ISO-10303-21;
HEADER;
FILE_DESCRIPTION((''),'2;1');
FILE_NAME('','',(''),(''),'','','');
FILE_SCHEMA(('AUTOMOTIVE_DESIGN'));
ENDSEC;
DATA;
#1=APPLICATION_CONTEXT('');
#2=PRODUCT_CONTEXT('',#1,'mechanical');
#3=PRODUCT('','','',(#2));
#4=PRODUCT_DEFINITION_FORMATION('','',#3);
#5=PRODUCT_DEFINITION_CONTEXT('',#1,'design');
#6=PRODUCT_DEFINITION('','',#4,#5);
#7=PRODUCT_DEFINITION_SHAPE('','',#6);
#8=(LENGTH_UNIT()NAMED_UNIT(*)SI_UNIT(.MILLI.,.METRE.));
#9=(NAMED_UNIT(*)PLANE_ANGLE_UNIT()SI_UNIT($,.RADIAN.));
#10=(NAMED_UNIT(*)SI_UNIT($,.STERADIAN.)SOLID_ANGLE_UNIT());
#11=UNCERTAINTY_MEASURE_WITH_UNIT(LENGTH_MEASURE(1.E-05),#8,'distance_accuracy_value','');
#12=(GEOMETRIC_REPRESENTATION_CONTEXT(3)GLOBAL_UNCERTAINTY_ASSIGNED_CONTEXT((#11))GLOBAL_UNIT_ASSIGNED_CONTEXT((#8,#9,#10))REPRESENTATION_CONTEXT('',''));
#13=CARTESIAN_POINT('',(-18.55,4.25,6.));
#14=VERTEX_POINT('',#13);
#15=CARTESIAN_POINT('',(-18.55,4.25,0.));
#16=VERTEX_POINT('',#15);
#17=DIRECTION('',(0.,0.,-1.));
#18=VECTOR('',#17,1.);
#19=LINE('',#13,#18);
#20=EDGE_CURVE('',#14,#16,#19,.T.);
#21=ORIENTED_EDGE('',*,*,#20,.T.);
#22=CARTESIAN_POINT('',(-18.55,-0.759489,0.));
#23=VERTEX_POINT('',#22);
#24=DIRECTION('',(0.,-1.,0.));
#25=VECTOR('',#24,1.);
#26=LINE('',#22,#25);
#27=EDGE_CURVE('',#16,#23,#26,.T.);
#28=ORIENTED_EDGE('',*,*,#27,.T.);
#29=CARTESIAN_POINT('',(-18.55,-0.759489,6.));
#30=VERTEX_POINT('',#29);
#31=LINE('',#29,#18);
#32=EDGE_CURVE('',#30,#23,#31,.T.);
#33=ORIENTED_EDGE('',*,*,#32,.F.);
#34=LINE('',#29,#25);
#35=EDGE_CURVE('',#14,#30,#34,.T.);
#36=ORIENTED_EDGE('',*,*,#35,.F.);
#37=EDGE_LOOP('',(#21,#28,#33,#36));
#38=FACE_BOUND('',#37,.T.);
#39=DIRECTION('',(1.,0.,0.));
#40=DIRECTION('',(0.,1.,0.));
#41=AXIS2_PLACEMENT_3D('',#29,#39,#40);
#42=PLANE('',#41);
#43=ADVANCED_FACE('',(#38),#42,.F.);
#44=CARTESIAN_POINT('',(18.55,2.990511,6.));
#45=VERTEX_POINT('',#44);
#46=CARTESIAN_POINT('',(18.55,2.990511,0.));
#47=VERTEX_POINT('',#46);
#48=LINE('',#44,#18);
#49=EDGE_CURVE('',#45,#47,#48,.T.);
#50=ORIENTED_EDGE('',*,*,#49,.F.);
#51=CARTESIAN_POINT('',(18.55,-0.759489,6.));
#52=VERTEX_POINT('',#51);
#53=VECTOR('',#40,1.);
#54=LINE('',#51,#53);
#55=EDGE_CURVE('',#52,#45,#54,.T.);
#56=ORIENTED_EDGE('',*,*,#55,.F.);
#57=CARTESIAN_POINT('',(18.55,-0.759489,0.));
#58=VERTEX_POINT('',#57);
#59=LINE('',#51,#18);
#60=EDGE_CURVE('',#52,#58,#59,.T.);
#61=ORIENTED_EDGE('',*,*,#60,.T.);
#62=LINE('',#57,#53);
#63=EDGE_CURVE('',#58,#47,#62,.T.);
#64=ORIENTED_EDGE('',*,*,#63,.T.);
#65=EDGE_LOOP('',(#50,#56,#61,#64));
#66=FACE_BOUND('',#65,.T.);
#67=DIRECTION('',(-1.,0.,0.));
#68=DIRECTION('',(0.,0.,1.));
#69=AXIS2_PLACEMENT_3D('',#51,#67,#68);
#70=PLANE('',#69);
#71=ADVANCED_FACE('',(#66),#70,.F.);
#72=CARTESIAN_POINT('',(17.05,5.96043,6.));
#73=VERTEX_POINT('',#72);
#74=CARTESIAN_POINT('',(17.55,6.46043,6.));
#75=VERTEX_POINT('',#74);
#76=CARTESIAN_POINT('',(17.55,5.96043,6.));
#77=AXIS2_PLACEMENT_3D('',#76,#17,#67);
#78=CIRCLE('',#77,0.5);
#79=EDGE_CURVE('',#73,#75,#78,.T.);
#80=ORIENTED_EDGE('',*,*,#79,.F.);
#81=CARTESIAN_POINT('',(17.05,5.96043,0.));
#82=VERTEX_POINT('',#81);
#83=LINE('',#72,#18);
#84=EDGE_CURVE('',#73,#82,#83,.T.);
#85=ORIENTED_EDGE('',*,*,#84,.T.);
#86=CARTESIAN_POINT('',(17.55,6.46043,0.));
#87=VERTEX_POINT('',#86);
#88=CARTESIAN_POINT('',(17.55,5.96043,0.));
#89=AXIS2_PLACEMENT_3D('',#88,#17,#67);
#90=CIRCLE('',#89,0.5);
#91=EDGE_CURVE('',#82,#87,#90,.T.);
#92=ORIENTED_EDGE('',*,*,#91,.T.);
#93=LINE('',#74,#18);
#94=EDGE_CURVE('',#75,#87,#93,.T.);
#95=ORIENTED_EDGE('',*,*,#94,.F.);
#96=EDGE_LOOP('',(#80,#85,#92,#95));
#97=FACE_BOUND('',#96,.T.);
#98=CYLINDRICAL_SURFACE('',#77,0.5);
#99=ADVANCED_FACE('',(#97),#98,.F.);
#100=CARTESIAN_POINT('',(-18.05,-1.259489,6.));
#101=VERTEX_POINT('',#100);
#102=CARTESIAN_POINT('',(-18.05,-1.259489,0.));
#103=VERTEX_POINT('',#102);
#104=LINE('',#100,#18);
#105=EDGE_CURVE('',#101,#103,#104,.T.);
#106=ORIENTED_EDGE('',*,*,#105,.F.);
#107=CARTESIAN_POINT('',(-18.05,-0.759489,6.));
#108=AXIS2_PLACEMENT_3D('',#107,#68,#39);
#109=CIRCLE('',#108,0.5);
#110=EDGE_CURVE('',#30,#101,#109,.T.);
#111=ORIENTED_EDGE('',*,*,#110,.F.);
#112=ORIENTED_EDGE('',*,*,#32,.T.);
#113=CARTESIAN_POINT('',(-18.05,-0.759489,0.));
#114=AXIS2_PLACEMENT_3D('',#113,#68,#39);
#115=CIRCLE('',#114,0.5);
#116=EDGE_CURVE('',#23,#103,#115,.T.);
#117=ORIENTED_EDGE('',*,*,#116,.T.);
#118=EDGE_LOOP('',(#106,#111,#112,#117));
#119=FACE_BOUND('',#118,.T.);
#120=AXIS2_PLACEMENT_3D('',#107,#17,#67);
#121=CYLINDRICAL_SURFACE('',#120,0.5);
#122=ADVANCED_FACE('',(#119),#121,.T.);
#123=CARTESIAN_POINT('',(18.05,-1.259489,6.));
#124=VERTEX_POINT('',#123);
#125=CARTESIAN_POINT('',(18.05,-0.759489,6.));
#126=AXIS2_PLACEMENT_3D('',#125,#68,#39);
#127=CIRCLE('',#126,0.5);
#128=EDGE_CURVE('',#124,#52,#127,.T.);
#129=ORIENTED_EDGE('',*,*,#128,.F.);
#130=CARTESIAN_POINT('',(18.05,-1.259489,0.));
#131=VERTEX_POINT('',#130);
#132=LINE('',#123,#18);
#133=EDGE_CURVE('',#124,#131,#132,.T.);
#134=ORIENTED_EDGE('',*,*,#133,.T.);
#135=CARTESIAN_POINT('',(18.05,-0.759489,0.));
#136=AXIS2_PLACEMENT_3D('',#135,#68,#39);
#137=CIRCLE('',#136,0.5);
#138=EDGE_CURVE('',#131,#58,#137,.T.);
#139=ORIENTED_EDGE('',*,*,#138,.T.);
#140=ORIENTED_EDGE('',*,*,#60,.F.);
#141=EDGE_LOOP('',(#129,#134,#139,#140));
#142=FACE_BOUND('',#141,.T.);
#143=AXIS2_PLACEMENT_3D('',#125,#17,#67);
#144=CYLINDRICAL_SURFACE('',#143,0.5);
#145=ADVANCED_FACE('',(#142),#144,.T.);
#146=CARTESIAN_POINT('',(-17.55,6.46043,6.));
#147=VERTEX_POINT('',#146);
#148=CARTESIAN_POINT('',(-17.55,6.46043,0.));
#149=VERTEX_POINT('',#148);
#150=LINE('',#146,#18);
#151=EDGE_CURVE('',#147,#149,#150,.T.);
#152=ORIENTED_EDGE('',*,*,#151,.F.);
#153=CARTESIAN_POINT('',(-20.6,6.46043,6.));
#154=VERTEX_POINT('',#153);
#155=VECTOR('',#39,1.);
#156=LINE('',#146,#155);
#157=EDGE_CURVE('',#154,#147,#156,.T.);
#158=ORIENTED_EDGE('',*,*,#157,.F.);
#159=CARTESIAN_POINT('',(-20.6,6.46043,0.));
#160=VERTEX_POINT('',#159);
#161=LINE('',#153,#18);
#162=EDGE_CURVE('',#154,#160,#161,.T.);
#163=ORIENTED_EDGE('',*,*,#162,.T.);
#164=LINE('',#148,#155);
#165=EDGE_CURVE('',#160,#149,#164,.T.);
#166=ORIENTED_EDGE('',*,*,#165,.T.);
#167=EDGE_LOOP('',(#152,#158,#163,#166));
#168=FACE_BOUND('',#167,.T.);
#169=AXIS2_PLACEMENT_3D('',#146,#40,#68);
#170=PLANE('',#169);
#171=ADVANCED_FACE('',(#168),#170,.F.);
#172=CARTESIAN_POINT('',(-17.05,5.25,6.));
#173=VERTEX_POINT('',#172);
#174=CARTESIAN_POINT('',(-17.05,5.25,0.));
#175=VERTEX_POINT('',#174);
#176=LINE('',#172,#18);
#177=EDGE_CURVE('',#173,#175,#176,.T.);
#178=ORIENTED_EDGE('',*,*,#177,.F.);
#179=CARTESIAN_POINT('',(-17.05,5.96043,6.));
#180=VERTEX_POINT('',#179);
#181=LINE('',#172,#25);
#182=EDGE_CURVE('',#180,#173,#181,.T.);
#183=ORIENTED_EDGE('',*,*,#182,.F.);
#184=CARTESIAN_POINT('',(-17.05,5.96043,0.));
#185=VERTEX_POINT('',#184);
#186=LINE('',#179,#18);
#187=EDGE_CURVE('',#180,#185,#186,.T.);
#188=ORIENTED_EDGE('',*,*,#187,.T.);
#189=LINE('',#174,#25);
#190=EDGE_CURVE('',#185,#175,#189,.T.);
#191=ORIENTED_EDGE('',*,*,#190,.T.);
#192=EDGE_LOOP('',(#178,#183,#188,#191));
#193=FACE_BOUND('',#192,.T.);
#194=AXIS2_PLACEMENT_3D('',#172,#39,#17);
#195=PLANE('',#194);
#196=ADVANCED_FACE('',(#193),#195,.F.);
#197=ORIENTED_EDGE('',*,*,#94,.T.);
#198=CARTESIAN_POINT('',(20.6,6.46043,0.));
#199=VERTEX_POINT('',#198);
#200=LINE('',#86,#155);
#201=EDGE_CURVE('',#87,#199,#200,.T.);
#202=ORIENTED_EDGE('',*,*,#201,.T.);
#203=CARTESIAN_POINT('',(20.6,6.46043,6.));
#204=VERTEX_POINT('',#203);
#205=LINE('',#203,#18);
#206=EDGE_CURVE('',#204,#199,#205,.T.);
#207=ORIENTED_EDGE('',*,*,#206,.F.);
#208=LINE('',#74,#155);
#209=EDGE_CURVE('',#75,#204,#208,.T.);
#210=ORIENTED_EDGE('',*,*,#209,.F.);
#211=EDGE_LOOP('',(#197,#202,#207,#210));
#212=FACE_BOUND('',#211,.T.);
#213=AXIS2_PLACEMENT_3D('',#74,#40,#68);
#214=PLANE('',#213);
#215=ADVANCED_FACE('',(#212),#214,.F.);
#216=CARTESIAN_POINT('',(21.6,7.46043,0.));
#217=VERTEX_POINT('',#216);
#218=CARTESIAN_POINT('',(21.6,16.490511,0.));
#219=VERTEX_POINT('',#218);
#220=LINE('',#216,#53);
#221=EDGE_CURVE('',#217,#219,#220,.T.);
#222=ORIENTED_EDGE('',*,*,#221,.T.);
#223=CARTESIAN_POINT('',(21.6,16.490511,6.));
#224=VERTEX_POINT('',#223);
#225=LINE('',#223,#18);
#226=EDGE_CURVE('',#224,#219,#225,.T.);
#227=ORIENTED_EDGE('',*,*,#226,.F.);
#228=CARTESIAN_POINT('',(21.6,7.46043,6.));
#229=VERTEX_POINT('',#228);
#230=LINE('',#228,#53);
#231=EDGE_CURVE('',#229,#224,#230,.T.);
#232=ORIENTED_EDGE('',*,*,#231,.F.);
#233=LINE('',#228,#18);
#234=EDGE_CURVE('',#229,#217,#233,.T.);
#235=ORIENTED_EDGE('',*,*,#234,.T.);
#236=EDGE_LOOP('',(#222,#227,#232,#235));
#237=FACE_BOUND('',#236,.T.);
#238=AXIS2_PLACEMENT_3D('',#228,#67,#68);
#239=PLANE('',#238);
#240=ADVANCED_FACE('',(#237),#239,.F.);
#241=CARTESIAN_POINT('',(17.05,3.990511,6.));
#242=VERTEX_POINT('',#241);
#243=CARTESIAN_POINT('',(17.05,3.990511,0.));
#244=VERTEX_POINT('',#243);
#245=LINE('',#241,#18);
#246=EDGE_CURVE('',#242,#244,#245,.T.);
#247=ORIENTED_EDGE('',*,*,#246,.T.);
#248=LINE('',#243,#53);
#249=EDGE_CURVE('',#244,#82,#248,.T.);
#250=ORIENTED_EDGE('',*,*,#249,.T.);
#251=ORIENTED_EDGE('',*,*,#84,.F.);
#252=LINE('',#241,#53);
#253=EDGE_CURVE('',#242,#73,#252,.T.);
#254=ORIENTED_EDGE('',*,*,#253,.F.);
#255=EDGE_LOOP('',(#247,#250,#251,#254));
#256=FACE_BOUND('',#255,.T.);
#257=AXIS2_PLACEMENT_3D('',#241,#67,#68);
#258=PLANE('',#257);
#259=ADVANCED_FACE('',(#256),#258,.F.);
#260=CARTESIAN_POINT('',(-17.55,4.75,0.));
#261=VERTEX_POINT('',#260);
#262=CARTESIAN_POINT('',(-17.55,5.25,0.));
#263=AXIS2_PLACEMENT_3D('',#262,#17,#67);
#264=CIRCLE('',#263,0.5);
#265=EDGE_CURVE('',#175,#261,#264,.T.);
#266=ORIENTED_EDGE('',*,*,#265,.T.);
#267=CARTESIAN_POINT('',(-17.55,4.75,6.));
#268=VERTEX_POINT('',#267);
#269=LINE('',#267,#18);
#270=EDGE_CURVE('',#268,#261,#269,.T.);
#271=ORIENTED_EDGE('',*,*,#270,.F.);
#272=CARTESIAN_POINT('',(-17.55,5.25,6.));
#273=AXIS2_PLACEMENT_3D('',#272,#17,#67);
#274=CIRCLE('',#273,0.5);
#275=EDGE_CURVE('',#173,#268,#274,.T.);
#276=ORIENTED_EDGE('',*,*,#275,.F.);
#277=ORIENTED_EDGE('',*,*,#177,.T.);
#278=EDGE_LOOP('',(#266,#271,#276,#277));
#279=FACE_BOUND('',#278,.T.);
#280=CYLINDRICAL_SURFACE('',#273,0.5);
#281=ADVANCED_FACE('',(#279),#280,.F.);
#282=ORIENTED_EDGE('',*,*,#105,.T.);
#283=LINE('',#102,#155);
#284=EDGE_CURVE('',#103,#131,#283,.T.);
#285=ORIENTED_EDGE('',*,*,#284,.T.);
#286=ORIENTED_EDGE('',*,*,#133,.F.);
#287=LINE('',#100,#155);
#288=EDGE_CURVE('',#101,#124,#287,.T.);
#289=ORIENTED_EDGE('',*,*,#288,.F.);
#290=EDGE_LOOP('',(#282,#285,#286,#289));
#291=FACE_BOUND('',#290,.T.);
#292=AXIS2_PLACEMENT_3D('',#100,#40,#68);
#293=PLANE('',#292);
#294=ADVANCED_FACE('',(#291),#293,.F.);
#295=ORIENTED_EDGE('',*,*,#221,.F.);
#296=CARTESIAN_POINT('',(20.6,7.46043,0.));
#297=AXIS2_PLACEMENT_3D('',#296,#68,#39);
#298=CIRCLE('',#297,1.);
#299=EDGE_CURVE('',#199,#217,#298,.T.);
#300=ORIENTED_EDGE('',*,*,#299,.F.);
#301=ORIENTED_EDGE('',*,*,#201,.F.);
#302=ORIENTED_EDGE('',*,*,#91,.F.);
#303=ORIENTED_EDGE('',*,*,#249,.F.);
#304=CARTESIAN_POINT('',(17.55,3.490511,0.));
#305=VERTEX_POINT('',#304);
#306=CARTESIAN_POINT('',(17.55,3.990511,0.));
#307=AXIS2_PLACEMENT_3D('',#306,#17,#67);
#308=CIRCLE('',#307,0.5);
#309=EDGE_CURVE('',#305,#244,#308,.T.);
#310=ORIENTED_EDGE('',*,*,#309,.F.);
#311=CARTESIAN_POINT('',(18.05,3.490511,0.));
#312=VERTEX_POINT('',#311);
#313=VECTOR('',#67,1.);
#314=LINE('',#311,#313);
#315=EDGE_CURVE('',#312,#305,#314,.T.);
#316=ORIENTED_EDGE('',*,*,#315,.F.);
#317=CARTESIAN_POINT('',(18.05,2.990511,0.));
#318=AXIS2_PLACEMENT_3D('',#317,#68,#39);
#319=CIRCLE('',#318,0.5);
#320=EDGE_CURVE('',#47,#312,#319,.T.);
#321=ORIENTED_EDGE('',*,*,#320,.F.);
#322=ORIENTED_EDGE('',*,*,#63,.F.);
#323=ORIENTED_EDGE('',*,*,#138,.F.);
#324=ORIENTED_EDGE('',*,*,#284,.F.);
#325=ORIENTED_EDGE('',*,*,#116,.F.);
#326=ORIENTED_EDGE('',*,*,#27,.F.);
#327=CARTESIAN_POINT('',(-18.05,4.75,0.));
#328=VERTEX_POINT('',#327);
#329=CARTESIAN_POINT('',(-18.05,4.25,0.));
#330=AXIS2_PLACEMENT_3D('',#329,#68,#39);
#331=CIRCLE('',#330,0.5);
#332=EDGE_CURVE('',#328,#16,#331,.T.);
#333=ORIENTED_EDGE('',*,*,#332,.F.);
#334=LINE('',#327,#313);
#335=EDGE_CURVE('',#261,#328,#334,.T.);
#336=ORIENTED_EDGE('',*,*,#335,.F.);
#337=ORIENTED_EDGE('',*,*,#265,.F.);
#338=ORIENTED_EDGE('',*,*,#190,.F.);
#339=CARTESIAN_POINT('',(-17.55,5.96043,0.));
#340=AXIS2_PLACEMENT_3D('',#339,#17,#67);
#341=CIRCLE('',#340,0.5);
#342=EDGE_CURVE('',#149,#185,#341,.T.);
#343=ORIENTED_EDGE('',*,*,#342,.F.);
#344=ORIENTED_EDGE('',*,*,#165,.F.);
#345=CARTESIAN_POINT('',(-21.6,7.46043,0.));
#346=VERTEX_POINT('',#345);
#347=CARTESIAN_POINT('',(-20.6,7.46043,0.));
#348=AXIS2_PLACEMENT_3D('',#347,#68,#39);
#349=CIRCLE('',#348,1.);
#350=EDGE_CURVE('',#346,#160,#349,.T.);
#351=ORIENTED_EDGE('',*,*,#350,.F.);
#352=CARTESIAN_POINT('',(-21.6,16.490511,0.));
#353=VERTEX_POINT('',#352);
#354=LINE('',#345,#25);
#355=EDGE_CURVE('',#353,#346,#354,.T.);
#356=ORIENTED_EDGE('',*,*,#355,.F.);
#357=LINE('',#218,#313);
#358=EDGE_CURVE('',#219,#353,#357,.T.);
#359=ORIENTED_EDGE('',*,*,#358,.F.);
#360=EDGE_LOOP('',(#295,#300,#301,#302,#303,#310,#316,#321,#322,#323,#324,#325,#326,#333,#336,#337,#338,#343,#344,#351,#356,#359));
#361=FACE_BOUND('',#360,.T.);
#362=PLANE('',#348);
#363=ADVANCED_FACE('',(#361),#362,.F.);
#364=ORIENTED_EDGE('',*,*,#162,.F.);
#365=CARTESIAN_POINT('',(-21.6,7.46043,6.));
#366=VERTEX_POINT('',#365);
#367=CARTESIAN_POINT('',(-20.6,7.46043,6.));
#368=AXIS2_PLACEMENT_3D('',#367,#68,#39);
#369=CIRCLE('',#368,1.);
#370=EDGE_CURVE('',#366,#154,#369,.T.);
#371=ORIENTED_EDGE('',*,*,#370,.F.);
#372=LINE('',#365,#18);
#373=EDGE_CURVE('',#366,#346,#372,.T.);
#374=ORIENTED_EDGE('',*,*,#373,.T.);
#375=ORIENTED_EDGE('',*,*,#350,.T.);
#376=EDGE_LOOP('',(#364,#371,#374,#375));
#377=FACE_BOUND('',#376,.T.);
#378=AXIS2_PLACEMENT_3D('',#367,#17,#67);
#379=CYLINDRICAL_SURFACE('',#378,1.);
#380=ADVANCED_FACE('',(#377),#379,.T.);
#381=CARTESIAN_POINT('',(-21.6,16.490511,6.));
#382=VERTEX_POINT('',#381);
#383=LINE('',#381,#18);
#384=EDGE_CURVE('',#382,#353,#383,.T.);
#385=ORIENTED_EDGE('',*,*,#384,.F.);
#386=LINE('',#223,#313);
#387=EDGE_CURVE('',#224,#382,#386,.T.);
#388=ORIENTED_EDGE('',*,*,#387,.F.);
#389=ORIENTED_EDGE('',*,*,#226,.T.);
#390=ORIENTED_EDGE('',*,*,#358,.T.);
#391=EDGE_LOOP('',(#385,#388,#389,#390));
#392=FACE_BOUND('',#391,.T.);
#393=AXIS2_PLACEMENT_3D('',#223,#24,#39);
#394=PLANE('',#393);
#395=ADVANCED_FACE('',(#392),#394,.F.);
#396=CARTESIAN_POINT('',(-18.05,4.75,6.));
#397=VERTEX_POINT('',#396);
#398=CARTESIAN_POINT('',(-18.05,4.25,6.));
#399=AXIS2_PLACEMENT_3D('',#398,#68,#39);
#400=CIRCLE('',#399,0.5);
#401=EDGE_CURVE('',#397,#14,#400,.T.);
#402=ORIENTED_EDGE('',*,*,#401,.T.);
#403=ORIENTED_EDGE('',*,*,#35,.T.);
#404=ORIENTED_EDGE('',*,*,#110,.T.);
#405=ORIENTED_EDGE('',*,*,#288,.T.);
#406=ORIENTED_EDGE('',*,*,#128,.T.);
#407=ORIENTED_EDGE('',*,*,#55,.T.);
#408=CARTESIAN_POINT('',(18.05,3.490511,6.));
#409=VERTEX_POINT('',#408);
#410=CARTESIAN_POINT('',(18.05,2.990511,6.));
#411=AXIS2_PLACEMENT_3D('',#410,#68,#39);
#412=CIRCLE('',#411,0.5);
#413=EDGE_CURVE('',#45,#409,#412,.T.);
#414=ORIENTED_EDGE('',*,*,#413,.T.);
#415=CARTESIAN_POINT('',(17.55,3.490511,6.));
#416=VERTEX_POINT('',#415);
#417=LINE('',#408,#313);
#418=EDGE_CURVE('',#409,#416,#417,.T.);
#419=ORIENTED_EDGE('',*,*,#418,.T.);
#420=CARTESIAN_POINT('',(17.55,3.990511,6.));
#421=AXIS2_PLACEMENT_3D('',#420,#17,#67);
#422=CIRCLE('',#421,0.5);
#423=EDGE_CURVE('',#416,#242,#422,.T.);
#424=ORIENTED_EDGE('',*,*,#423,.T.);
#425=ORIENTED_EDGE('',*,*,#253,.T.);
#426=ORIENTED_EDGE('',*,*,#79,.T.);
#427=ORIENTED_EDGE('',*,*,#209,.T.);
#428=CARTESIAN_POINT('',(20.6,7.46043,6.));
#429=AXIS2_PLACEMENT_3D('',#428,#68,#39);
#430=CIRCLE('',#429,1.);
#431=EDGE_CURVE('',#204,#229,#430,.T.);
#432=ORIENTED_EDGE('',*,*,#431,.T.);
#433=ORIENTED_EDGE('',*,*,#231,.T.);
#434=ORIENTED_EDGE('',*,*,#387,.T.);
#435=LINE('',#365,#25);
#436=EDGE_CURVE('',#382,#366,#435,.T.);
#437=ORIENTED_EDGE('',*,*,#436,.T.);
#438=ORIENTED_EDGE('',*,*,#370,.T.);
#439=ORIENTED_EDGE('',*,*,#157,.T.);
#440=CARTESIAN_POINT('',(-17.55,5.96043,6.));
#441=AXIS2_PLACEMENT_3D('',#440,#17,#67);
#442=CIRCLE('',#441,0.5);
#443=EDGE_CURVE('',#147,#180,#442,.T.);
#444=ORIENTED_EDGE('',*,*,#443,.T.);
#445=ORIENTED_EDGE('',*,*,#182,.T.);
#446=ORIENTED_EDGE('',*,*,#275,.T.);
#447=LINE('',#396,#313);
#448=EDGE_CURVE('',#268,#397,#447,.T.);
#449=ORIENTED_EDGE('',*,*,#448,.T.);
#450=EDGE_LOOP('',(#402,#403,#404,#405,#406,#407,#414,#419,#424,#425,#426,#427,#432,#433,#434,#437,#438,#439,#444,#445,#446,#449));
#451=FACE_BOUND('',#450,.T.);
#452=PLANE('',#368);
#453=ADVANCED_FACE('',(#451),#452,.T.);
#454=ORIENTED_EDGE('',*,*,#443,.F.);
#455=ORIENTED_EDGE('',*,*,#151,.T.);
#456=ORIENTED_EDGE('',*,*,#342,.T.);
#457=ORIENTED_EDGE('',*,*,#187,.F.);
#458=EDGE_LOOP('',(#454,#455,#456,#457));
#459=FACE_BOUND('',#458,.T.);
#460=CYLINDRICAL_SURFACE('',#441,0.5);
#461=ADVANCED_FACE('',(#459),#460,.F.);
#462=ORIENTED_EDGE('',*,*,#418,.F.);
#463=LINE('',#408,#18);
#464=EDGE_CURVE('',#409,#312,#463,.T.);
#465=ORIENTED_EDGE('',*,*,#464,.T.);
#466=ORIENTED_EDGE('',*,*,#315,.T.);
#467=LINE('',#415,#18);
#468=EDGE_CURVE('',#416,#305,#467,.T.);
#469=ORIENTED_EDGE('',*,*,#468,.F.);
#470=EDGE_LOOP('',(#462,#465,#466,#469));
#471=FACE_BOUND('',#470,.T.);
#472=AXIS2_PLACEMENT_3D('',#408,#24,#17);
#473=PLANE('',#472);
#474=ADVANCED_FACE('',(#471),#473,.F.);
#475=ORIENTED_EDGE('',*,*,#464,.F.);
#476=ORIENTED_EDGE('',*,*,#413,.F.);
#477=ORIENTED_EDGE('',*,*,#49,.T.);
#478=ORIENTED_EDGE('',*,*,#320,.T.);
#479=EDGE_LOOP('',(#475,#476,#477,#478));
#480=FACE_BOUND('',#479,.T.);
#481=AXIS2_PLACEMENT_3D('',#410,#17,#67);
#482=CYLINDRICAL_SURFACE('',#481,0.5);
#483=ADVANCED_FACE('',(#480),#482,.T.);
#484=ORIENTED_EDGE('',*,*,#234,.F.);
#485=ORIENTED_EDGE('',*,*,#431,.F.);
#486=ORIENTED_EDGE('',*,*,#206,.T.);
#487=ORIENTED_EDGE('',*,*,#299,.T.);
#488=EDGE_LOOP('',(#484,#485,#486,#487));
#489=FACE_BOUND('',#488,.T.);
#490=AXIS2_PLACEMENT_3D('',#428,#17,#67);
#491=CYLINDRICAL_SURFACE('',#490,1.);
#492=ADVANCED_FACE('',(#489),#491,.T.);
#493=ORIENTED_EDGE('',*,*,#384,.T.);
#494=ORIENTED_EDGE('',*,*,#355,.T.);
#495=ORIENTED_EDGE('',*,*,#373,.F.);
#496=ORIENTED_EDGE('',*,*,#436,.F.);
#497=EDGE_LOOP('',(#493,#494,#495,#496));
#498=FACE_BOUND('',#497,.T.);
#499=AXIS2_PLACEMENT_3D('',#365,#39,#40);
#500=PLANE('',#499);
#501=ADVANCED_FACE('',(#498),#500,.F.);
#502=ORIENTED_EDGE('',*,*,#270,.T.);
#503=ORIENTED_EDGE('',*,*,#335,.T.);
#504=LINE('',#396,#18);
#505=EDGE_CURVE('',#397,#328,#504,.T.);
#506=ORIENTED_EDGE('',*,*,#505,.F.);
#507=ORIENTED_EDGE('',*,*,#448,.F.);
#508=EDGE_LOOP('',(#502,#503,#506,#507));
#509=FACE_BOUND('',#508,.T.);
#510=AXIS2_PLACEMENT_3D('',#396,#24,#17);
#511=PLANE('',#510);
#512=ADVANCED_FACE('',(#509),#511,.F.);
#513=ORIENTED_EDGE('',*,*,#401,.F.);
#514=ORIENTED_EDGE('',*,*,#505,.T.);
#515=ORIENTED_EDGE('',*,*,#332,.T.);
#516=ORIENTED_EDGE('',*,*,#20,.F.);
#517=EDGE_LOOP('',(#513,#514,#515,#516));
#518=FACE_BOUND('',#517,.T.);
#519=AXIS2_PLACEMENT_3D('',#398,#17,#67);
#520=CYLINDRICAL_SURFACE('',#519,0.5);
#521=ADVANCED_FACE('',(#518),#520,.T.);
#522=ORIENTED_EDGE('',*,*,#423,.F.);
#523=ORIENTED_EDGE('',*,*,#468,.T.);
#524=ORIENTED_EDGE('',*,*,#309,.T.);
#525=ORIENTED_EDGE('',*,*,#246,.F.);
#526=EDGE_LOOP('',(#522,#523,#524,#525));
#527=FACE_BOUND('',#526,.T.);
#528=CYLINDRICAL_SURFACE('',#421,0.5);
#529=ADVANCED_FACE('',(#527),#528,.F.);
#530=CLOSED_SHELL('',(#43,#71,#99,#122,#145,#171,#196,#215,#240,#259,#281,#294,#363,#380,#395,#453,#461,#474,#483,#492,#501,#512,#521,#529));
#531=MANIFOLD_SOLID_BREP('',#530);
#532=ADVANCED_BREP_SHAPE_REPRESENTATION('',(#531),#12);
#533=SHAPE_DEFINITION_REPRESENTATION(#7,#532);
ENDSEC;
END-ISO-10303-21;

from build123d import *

# Parameters (mm, degrees)
BOSS_EXTRUDE1_DEPTH = 6


with BuildPart() as part:
    # Sketch6 → Boss-Extrude1 (new body)
    with BuildSketch(Plane.XY):
        with BuildLine():
            Line((-18.05, -1.259488518), (18.05, -1.259488518))
            ThreePointArc((18.05, -1.259488518), (18.403553391, -1.113041908), (18.55, -0.759488518))
            Line((18.55, -0.759488518), (18.55, 2.990511482))
            ThreePointArc((18.55, 2.990511482), (18.403553391, 3.344064873), (18.05, 3.490511482))
            Line((18.05, 3.490511482), (17.55, 3.490511482))
            ThreePointArc((17.55, 3.490511482), (17.196446609, 3.636958092), (17.05, 3.990511482))
            Line((17.05, 3.990511482), (17.05, 5.960429817))
            ThreePointArc((17.05, 5.960429817), (17.196446609, 6.313983207), (17.55, 6.460429817))
            Line((17.55, 6.460429817), (20.6, 6.460429817))
            ThreePointArc((20.6, 6.460429817), (21.307106781, 6.753323035), (21.6, 7.460429817))
            Line((21.6, 7.460429817), (21.6, 16.490511482))
            Line((21.6, 16.490511482), (-21.6, 16.490511482))
            Line((-21.6, 16.490511482), (-21.6, 7.460429817))
            ThreePointArc((-21.6, 7.460429817), (-21.307106781, 6.753323035), (-20.6, 6.460429817))
            Line((-20.6, 6.460429817), (-17.55, 6.460429817))
            ThreePointArc((-17.55, 6.460429817), (-17.196446609, 6.313983207), (-17.05, 5.960429817))
            Line((-17.05, 5.960429817), (-17.05, 5.25))
            ThreePointArc((-17.05, 5.25), (-17.196446609, 4.896446609), (-17.55, 4.75))
            Line((-17.55, 4.75), (-18.05, 4.75))
            ThreePointArc((-18.05, 4.75), (-18.403553391, 4.603553391), (-18.55, 4.25))
            Line((-18.55, 4.25), (-18.55, -0.759488518))
            ThreePointArc((-18.55, -0.759488518), (-18.403553391, -1.113041908), (-18.05, -1.259488518))
        make_face()
    extrude(amount=BOSS_EXTRUDE1_DEPTH)


solid = part.part
